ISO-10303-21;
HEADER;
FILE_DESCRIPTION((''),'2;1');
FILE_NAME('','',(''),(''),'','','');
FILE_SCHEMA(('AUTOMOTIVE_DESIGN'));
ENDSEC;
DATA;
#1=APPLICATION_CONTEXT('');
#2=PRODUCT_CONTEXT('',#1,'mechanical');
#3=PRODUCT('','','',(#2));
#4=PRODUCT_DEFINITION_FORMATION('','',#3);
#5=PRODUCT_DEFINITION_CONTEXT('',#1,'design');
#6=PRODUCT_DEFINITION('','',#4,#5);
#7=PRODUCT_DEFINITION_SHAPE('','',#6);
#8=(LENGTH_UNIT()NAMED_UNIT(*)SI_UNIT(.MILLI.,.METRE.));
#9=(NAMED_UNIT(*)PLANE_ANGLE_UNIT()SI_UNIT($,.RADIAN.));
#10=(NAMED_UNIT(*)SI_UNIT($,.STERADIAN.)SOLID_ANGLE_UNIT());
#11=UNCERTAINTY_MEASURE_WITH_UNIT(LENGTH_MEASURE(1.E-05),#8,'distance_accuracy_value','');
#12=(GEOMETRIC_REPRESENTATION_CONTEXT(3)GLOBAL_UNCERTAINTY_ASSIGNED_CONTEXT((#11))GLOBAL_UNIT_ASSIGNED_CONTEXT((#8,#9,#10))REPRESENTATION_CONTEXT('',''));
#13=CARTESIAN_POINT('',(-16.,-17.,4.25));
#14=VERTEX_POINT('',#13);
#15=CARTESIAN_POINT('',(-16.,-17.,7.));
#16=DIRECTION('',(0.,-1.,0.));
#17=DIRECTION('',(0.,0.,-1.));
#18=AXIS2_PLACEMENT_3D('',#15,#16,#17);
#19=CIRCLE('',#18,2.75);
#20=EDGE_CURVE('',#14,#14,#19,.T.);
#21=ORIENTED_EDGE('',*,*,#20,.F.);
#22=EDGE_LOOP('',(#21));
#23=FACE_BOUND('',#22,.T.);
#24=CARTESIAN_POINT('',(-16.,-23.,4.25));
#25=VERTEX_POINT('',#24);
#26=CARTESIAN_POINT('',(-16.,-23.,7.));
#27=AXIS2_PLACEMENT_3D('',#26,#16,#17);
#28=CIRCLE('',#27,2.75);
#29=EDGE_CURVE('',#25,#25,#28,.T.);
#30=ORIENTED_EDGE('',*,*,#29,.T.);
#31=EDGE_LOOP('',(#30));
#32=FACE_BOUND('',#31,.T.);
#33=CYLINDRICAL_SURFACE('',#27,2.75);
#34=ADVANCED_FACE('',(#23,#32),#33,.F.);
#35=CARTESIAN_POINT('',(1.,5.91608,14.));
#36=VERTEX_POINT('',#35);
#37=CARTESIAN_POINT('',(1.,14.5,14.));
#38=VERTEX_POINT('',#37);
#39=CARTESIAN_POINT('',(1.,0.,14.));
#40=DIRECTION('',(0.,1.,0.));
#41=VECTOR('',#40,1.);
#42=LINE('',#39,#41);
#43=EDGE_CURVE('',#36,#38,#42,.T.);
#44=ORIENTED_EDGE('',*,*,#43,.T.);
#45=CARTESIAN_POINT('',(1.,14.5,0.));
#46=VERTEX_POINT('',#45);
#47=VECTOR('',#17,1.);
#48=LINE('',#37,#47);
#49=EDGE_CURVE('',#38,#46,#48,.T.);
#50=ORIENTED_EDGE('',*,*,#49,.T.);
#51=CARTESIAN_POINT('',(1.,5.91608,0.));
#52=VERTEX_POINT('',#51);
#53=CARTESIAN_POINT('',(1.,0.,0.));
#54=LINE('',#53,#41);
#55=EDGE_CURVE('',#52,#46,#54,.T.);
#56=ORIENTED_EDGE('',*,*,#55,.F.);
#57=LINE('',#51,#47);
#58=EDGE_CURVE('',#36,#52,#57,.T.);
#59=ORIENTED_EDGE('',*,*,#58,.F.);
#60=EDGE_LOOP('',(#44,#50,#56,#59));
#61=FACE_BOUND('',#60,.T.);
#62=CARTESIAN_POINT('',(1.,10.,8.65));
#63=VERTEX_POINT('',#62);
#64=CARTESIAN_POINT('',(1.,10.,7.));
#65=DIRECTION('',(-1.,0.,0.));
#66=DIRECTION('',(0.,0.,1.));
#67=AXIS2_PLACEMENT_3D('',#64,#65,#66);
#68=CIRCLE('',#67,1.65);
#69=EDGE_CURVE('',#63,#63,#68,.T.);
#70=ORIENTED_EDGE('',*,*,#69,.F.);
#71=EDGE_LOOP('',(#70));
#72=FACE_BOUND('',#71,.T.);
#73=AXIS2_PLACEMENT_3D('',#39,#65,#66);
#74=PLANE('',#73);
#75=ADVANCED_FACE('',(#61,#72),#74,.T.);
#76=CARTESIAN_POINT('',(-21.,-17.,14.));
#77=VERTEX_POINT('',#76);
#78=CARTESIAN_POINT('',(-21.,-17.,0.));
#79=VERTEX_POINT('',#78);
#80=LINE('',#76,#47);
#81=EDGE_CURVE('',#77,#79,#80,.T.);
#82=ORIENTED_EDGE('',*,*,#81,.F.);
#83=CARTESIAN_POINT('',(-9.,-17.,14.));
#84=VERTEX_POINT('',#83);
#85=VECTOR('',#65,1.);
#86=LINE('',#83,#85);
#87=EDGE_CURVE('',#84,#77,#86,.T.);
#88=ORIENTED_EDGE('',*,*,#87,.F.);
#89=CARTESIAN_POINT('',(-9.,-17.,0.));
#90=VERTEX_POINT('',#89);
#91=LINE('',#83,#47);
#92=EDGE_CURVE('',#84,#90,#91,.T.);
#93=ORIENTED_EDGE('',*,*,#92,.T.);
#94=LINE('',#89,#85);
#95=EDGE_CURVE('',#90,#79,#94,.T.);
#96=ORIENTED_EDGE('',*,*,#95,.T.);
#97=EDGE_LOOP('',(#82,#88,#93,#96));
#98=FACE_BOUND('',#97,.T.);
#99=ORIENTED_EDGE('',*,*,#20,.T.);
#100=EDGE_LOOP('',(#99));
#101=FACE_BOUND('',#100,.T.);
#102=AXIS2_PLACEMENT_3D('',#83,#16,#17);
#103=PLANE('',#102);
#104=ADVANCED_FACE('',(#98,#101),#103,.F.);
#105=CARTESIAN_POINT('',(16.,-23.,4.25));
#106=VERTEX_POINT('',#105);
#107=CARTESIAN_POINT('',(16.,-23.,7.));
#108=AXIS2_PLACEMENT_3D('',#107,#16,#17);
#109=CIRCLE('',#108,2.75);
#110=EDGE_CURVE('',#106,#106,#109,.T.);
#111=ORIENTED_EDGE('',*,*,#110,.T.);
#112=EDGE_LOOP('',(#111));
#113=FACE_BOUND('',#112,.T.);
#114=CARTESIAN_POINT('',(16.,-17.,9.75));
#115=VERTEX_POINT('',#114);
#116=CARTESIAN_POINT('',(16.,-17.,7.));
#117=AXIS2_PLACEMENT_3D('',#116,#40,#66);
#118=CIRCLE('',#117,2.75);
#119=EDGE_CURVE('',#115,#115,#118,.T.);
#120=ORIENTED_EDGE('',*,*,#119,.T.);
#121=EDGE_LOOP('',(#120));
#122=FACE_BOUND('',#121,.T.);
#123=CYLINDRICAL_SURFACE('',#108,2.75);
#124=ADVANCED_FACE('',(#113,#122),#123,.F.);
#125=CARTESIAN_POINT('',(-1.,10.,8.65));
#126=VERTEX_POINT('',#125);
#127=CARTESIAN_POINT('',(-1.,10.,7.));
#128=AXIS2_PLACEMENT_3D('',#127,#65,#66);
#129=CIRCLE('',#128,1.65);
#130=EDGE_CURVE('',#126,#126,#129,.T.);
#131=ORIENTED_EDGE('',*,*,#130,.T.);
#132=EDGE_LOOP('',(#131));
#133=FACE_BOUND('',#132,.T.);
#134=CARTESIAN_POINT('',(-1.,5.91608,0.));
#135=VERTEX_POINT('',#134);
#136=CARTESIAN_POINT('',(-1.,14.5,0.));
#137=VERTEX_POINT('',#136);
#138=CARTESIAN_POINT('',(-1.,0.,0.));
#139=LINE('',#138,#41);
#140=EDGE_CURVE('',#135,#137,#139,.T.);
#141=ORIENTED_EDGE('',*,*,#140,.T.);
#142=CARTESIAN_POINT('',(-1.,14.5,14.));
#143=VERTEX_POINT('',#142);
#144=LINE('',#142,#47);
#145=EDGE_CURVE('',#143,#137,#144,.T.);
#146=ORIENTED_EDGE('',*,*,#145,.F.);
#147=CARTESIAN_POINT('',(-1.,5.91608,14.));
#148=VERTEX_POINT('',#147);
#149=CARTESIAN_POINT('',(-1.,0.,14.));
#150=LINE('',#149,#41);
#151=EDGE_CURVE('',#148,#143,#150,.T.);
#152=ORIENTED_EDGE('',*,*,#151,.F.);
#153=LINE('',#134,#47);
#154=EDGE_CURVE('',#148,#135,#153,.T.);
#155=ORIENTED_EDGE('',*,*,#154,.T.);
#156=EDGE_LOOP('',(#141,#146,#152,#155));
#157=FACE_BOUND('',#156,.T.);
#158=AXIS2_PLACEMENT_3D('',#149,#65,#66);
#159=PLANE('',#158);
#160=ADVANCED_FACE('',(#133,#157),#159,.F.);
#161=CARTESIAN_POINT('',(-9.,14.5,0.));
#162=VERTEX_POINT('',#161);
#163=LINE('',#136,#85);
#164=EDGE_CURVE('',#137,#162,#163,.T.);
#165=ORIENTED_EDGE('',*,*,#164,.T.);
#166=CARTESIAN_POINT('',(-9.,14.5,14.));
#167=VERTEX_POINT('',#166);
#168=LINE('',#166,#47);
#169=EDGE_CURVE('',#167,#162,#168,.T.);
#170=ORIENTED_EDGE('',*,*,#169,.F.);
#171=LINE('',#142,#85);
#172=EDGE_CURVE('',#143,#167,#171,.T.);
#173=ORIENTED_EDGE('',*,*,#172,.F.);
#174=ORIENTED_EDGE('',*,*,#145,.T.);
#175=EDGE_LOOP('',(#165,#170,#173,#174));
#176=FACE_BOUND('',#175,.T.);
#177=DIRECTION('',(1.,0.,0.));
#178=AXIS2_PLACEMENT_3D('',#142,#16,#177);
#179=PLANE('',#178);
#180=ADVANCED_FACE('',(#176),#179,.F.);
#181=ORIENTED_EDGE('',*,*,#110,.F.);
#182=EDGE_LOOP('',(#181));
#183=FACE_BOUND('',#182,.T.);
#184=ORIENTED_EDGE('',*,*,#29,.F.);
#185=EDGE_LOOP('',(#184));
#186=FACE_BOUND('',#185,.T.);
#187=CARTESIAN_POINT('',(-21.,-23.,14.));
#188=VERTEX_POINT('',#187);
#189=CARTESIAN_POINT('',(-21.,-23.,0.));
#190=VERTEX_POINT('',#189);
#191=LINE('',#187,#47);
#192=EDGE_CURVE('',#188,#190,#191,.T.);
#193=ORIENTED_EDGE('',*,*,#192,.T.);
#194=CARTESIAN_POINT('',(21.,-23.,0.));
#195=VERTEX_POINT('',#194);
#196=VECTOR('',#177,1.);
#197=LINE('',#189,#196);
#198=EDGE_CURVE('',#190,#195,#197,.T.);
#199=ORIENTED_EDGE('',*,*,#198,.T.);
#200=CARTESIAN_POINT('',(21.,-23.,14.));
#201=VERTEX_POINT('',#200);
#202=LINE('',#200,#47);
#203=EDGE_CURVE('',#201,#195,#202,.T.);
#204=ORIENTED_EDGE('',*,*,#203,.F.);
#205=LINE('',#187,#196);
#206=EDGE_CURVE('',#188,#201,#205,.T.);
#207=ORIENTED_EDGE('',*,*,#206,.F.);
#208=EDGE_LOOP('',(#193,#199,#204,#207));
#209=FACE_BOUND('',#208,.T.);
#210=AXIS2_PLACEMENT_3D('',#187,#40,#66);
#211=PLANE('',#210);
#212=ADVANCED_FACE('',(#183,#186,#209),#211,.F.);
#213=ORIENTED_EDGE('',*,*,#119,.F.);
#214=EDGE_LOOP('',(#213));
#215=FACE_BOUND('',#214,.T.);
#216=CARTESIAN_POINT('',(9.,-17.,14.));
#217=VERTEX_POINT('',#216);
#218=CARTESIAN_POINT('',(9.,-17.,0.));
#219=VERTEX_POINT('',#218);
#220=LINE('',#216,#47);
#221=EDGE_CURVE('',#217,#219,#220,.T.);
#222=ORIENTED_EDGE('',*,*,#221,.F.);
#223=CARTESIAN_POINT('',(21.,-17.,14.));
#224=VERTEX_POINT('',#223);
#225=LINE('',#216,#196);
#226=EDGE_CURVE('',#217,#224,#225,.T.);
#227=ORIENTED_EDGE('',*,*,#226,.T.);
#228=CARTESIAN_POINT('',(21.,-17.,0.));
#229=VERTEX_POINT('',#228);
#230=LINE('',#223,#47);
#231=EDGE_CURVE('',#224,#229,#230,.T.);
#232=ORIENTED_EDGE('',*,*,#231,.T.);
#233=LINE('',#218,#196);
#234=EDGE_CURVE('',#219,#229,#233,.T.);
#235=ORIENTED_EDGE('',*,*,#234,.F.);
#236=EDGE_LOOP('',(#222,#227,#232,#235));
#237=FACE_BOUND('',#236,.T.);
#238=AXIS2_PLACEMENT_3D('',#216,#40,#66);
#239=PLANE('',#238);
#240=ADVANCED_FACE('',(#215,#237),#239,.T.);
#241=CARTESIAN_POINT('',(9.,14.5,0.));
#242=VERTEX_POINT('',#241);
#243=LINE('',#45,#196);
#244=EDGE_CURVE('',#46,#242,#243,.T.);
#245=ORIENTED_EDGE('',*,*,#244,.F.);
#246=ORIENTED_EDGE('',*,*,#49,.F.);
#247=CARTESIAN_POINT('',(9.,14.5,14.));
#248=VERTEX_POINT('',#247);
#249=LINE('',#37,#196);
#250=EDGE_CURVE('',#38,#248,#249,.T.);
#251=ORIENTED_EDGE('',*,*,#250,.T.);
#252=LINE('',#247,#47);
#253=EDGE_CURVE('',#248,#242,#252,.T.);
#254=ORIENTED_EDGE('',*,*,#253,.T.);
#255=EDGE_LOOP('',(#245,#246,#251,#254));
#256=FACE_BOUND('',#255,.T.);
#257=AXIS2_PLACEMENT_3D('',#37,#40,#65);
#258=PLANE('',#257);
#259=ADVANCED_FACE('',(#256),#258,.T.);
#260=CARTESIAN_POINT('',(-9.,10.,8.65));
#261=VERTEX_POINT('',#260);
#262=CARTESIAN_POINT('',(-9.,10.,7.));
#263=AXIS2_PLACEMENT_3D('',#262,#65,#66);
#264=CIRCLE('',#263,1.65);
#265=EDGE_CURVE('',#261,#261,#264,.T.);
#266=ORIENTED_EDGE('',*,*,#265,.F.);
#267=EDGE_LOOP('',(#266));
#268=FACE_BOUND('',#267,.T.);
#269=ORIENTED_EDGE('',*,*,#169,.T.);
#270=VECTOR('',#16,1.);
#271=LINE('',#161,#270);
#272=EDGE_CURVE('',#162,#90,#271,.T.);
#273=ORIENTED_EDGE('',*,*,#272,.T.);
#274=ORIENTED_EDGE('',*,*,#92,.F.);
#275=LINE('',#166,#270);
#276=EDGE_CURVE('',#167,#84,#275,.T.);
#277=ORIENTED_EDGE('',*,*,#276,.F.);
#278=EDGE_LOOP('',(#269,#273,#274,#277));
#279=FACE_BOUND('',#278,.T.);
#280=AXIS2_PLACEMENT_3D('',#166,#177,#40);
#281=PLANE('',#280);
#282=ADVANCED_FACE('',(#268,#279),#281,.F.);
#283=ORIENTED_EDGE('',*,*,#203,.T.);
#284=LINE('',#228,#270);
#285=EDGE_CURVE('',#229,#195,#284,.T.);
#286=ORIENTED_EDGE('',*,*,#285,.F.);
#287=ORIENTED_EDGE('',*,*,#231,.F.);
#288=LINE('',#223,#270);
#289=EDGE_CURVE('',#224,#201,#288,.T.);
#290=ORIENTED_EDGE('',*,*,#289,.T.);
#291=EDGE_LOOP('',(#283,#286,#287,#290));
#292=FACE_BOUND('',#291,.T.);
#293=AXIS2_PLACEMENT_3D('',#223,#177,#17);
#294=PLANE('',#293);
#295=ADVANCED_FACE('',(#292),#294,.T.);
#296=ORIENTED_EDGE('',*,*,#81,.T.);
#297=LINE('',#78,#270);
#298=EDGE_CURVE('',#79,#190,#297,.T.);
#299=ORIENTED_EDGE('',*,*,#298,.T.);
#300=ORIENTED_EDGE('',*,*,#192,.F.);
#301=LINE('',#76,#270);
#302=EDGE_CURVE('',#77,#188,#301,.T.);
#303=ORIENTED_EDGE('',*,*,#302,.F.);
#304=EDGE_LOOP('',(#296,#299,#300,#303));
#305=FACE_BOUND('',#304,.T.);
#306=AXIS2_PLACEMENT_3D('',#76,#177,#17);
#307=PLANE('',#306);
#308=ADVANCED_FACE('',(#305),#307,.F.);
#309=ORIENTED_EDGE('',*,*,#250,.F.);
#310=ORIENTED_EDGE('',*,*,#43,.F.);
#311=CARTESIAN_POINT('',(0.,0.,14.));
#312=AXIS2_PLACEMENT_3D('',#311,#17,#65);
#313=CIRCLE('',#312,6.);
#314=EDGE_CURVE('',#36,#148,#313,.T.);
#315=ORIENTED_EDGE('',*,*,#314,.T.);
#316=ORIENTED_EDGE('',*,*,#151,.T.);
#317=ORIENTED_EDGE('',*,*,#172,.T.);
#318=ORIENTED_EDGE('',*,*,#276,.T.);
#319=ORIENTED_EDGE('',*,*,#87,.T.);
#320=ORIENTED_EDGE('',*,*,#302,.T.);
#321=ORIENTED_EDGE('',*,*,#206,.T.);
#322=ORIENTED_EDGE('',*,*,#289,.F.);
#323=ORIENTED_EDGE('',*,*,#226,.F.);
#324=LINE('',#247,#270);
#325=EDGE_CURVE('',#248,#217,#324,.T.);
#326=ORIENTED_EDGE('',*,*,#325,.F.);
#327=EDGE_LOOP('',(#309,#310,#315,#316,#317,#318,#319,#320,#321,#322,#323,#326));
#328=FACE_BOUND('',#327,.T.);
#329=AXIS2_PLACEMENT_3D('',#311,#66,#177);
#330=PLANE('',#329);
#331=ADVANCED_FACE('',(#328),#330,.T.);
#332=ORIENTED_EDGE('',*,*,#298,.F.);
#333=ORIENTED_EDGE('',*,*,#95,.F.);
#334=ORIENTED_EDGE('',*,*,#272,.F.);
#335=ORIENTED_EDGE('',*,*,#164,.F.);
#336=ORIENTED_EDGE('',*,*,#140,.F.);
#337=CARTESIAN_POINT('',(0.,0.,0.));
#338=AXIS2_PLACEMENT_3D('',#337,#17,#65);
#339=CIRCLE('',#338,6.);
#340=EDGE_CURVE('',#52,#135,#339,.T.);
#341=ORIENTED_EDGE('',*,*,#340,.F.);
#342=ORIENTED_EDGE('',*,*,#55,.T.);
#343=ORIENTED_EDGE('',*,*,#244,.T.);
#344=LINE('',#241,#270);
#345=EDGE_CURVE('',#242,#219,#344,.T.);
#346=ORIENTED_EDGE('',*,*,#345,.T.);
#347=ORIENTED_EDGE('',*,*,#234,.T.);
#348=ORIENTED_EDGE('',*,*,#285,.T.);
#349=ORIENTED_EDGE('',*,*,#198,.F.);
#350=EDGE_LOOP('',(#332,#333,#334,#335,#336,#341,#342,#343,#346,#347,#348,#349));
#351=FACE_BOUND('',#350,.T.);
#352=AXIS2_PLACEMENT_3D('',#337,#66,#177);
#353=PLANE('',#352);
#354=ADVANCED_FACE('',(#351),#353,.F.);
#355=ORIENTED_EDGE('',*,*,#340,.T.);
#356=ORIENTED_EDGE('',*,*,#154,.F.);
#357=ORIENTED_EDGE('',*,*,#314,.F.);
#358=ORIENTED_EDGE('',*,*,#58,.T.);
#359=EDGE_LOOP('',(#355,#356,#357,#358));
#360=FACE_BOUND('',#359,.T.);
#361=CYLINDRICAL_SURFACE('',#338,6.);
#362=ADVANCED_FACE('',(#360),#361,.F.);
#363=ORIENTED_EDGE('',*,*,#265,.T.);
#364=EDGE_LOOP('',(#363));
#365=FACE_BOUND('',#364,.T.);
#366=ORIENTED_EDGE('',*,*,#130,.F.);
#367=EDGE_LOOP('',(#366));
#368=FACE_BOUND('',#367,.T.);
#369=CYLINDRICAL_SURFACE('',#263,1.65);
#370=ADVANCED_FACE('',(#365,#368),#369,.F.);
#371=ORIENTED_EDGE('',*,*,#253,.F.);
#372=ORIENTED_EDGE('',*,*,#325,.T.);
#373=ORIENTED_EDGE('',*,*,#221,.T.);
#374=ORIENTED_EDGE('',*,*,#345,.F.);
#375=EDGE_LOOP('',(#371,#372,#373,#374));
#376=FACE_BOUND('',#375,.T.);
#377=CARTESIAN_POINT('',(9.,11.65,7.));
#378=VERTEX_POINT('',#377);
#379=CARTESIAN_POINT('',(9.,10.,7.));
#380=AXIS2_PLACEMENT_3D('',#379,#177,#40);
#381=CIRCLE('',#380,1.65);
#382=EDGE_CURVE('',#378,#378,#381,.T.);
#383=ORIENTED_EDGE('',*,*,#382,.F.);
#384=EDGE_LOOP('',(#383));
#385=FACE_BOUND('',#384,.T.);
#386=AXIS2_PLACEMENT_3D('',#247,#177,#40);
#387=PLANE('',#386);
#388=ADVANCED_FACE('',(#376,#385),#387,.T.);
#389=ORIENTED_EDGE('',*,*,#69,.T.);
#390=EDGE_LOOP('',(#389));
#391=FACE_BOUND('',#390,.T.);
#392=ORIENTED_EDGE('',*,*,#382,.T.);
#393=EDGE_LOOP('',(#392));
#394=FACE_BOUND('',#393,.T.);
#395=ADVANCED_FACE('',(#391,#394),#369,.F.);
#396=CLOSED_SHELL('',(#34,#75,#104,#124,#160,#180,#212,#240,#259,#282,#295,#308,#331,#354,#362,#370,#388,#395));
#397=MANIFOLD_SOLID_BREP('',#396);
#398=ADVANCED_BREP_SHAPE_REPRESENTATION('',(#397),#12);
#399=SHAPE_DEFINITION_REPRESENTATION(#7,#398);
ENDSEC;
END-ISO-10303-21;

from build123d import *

# Parameters (mm, degrees)
BOSS_EXTRUDE1_DEPTH         = 14
TAP_DRILL_FOR_M4X0_7_TAP2_D = 3.3
F_12_0_12_DIAMETER_HOLE1_D  = 12
TAP_DRILL_FOR_M5X0_8_TAP1_D = 5.5


with BuildPart() as part:
    # Sketch2 → Boss-Extrude1 (new body)
    with BuildSketch(Plane.XY):
        Polygon((-1, 0), (-1, 14.5), (-9, 14.5), (-9, -17), (-21, -17), (-21, -23), (0, -23), (0, 0), align=None)
    boss_extrude1 = extrude(amount=BOSS_EXTRUDE1_DEPTH)

    # Mirror1: Boss-Extrude1 across plane
    add(boss_extrude1.mirror(Plane(origin=(0, -23, 14), x_dir=(0, 0, 1), z_dir=(-1, 0, 0))))

    # Tap Drill for M4x0.7 Tap2 (through all)
    with Locations(Plane.ZY.offset(9)):
        with Locations((7, 10)):
            Hole(TAP_DRILL_FOR_M4X0_7_TAP2_D / 2)

    # Ø12.0 (12) Diameter Hole1 (through all)
    with Locations(Plane(origin=(0, 0, 0), x_dir=(1, 0, 0), z_dir=(0, 0, -1))):
        with Locations((0, 0)):
            Hole(F_12_0_12_DIAMETER_HOLE1_D / 2)

    # Tap Drill for M5x0.8 Tap1 (through all)
    with Locations(Plane(origin=(0, -23, 0), x_dir=(-1, 0, 0), z_dir=(0, -1, 0))):
        with Locations((-16, -7), (16, -7)):
            Hole(TAP_DRILL_FOR_M5X0_8_TAP1_D / 2)


solid = part.part
